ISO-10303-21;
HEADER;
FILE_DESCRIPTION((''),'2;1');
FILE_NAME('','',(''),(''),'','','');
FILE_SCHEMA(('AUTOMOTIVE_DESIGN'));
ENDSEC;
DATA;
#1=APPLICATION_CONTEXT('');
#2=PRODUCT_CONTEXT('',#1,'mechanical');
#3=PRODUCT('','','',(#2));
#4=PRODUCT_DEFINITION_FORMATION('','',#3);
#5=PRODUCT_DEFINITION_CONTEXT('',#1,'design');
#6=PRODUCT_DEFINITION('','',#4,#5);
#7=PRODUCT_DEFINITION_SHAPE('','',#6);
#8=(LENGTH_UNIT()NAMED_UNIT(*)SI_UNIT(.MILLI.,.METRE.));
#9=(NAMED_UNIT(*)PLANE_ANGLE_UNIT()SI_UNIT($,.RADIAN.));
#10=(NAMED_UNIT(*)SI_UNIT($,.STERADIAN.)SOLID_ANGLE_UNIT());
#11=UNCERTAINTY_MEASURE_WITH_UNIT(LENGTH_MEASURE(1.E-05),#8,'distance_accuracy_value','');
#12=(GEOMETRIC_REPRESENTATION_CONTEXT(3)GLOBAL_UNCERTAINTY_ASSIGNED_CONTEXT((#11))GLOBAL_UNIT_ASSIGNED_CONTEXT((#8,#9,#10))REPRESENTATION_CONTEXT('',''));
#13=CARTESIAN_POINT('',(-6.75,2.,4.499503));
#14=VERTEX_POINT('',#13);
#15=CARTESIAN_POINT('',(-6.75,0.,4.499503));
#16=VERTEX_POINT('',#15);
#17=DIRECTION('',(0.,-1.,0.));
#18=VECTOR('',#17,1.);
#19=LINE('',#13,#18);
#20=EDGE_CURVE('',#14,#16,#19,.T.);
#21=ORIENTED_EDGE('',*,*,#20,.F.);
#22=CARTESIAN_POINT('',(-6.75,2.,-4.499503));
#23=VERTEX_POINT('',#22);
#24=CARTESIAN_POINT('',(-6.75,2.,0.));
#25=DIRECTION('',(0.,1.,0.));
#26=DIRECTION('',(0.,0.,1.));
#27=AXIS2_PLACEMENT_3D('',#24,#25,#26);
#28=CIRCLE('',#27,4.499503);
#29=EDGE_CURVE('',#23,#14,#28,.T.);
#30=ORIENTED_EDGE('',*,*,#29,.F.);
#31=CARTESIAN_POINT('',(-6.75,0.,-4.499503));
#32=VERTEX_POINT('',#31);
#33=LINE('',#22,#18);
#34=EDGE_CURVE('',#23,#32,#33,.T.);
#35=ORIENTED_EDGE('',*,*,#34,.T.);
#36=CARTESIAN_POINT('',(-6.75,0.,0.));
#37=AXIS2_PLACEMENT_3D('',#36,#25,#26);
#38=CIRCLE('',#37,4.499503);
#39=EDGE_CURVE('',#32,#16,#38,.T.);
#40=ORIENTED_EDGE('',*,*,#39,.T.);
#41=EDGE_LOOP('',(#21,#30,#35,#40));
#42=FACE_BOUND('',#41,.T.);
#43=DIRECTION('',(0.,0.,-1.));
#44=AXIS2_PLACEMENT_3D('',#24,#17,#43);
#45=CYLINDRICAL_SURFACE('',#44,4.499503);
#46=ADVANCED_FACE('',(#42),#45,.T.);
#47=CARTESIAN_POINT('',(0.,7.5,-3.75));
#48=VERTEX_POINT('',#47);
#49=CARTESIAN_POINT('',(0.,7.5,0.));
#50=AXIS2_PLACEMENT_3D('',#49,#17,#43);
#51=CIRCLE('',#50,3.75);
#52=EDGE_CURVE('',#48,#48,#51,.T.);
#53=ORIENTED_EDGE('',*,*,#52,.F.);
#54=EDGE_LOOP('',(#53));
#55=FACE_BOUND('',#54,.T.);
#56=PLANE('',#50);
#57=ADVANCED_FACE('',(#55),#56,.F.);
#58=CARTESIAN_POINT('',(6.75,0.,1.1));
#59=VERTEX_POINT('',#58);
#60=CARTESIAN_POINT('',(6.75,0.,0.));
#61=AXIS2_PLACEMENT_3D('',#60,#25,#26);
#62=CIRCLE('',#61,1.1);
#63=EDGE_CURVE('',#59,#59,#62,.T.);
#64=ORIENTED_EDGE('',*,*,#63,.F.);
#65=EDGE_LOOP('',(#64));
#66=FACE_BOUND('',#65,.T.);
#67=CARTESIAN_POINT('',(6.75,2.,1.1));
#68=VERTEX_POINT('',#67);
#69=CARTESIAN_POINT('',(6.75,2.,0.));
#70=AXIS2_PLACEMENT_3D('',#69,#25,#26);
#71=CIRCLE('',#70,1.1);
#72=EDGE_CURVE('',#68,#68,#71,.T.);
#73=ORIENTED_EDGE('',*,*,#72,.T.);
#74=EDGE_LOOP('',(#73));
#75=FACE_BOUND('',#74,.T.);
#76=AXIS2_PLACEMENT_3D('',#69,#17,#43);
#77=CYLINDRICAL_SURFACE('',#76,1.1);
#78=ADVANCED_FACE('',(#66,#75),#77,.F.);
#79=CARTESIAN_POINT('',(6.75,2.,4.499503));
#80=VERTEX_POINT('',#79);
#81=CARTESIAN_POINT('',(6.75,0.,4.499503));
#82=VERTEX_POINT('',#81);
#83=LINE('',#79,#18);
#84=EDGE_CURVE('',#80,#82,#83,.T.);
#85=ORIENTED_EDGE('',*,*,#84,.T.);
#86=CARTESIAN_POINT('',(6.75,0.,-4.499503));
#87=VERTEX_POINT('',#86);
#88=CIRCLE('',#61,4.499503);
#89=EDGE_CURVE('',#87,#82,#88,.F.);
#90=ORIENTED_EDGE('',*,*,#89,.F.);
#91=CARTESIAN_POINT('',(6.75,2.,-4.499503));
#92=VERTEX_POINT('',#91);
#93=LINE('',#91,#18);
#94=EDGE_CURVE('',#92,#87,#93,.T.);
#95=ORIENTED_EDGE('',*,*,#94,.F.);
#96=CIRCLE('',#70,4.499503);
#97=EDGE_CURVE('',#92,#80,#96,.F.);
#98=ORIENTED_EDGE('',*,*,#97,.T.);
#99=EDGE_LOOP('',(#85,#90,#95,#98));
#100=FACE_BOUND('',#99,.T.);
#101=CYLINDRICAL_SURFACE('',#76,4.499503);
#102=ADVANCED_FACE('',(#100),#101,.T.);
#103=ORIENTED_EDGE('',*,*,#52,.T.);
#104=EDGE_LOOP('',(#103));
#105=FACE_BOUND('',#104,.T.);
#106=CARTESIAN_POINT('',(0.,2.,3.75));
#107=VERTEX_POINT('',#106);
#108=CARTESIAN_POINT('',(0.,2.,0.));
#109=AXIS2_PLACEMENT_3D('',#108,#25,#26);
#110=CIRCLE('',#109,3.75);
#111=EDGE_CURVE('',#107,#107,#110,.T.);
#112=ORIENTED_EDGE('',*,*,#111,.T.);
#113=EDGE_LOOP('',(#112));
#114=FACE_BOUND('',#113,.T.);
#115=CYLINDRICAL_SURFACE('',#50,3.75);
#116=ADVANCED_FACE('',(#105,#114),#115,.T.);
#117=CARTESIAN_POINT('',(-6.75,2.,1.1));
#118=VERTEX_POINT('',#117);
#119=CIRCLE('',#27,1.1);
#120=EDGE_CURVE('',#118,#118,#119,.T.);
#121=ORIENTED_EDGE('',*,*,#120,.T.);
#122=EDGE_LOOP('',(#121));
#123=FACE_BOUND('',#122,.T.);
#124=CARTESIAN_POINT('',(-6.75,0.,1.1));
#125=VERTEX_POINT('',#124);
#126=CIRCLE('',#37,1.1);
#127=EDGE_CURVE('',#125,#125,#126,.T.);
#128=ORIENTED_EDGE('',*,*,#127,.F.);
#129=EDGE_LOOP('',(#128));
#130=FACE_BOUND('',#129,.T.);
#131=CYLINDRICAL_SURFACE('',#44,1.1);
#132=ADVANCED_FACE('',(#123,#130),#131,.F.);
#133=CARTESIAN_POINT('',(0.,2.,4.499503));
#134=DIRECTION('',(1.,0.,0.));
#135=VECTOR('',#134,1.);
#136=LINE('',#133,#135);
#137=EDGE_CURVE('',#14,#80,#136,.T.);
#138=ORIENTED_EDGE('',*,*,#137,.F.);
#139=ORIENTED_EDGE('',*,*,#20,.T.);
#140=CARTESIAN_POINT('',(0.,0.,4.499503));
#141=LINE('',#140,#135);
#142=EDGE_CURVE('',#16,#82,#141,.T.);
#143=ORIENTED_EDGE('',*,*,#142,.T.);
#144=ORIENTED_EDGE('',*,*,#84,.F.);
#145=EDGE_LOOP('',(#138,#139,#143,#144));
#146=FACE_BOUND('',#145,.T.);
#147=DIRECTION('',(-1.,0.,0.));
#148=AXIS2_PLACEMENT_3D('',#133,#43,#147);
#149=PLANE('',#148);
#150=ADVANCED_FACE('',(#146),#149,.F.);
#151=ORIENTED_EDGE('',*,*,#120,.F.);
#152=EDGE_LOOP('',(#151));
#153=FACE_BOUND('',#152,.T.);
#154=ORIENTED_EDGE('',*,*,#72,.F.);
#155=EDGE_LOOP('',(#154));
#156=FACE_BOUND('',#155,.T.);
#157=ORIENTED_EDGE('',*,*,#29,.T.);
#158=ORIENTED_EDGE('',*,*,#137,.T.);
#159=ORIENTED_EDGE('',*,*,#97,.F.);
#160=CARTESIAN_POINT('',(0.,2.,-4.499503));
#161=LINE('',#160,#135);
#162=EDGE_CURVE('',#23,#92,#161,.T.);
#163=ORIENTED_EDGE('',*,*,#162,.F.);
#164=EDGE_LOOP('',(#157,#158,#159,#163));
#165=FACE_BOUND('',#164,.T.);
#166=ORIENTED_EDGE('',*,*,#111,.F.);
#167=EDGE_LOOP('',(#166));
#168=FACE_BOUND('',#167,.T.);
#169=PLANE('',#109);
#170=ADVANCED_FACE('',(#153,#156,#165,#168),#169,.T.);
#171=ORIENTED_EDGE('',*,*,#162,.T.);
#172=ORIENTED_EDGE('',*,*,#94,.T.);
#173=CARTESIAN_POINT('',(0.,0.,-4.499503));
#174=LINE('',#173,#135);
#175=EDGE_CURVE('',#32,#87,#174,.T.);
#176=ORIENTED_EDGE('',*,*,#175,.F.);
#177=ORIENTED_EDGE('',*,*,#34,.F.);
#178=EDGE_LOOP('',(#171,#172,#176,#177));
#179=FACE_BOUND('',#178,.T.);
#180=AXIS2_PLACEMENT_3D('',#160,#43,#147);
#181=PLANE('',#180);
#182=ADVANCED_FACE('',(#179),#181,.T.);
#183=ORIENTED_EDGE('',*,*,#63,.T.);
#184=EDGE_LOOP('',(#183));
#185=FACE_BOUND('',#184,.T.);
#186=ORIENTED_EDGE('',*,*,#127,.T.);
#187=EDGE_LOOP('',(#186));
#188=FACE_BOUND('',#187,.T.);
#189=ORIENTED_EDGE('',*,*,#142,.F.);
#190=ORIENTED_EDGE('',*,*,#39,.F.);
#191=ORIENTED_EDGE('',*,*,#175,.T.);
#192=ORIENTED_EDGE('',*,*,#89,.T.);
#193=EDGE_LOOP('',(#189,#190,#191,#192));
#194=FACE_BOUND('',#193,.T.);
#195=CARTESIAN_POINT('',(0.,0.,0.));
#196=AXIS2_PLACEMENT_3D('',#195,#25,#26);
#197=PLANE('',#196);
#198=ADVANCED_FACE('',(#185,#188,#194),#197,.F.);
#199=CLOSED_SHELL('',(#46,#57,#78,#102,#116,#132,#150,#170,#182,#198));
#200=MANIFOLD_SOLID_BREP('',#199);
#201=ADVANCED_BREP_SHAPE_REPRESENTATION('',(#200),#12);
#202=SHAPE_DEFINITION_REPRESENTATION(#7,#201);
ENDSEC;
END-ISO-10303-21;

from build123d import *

# Parameters (mm, degrees)
SKETCH1_R           = 1.1
SKETCH1_R_2         = 3.75
BOSS_EXTRUDE3_DEPTH = 2
SKETCH3_R           = 3.75
BOSS_EXTRUDE4_DEPTH = 7.5


with BuildPart() as part:
    # Sketch1 → Boss-Extrude3 (new body)
    with BuildSketch(Plane(origin=(0, 0, 0), x_dir=(1, 0, 0), z_dir=(0, 1, 0))):
        with BuildLine():
            Line((-6.75, 4.499502967), (6.75, 4.499502967))
            ThreePointArc((6.75, 4.499502967), (11.249502967, 0), (6.75, -4.499502967))
            Line((6.75, -4.499502967), (-6.75, -4.499502967))
            ThreePointArc((-6.75, -4.499502967), (-11.249502967, 0), (-6.75, 4.499502967))
        make_face()
        with Locations((-6.75, 0)):
            Circle(SKETCH1_R, mode=Mode.SUBTRACT)
        with Locations((6.75, 0)):
            Circle(SKETCH1_R, mode=Mode.SUBTRACT)
        Circle(SKETCH1_R_2, mode=Mode.SUBTRACT)
    extrude(amount=BOSS_EXTRUDE3_DEPTH)

    # Sketch3 → Boss-Extrude4 (add)
    with BuildSketch(Plane.XZ):
        Circle(SKETCH3_R)
    extrude(amount=-BOSS_EXTRUDE4_DEPTH)


solid = part.part
